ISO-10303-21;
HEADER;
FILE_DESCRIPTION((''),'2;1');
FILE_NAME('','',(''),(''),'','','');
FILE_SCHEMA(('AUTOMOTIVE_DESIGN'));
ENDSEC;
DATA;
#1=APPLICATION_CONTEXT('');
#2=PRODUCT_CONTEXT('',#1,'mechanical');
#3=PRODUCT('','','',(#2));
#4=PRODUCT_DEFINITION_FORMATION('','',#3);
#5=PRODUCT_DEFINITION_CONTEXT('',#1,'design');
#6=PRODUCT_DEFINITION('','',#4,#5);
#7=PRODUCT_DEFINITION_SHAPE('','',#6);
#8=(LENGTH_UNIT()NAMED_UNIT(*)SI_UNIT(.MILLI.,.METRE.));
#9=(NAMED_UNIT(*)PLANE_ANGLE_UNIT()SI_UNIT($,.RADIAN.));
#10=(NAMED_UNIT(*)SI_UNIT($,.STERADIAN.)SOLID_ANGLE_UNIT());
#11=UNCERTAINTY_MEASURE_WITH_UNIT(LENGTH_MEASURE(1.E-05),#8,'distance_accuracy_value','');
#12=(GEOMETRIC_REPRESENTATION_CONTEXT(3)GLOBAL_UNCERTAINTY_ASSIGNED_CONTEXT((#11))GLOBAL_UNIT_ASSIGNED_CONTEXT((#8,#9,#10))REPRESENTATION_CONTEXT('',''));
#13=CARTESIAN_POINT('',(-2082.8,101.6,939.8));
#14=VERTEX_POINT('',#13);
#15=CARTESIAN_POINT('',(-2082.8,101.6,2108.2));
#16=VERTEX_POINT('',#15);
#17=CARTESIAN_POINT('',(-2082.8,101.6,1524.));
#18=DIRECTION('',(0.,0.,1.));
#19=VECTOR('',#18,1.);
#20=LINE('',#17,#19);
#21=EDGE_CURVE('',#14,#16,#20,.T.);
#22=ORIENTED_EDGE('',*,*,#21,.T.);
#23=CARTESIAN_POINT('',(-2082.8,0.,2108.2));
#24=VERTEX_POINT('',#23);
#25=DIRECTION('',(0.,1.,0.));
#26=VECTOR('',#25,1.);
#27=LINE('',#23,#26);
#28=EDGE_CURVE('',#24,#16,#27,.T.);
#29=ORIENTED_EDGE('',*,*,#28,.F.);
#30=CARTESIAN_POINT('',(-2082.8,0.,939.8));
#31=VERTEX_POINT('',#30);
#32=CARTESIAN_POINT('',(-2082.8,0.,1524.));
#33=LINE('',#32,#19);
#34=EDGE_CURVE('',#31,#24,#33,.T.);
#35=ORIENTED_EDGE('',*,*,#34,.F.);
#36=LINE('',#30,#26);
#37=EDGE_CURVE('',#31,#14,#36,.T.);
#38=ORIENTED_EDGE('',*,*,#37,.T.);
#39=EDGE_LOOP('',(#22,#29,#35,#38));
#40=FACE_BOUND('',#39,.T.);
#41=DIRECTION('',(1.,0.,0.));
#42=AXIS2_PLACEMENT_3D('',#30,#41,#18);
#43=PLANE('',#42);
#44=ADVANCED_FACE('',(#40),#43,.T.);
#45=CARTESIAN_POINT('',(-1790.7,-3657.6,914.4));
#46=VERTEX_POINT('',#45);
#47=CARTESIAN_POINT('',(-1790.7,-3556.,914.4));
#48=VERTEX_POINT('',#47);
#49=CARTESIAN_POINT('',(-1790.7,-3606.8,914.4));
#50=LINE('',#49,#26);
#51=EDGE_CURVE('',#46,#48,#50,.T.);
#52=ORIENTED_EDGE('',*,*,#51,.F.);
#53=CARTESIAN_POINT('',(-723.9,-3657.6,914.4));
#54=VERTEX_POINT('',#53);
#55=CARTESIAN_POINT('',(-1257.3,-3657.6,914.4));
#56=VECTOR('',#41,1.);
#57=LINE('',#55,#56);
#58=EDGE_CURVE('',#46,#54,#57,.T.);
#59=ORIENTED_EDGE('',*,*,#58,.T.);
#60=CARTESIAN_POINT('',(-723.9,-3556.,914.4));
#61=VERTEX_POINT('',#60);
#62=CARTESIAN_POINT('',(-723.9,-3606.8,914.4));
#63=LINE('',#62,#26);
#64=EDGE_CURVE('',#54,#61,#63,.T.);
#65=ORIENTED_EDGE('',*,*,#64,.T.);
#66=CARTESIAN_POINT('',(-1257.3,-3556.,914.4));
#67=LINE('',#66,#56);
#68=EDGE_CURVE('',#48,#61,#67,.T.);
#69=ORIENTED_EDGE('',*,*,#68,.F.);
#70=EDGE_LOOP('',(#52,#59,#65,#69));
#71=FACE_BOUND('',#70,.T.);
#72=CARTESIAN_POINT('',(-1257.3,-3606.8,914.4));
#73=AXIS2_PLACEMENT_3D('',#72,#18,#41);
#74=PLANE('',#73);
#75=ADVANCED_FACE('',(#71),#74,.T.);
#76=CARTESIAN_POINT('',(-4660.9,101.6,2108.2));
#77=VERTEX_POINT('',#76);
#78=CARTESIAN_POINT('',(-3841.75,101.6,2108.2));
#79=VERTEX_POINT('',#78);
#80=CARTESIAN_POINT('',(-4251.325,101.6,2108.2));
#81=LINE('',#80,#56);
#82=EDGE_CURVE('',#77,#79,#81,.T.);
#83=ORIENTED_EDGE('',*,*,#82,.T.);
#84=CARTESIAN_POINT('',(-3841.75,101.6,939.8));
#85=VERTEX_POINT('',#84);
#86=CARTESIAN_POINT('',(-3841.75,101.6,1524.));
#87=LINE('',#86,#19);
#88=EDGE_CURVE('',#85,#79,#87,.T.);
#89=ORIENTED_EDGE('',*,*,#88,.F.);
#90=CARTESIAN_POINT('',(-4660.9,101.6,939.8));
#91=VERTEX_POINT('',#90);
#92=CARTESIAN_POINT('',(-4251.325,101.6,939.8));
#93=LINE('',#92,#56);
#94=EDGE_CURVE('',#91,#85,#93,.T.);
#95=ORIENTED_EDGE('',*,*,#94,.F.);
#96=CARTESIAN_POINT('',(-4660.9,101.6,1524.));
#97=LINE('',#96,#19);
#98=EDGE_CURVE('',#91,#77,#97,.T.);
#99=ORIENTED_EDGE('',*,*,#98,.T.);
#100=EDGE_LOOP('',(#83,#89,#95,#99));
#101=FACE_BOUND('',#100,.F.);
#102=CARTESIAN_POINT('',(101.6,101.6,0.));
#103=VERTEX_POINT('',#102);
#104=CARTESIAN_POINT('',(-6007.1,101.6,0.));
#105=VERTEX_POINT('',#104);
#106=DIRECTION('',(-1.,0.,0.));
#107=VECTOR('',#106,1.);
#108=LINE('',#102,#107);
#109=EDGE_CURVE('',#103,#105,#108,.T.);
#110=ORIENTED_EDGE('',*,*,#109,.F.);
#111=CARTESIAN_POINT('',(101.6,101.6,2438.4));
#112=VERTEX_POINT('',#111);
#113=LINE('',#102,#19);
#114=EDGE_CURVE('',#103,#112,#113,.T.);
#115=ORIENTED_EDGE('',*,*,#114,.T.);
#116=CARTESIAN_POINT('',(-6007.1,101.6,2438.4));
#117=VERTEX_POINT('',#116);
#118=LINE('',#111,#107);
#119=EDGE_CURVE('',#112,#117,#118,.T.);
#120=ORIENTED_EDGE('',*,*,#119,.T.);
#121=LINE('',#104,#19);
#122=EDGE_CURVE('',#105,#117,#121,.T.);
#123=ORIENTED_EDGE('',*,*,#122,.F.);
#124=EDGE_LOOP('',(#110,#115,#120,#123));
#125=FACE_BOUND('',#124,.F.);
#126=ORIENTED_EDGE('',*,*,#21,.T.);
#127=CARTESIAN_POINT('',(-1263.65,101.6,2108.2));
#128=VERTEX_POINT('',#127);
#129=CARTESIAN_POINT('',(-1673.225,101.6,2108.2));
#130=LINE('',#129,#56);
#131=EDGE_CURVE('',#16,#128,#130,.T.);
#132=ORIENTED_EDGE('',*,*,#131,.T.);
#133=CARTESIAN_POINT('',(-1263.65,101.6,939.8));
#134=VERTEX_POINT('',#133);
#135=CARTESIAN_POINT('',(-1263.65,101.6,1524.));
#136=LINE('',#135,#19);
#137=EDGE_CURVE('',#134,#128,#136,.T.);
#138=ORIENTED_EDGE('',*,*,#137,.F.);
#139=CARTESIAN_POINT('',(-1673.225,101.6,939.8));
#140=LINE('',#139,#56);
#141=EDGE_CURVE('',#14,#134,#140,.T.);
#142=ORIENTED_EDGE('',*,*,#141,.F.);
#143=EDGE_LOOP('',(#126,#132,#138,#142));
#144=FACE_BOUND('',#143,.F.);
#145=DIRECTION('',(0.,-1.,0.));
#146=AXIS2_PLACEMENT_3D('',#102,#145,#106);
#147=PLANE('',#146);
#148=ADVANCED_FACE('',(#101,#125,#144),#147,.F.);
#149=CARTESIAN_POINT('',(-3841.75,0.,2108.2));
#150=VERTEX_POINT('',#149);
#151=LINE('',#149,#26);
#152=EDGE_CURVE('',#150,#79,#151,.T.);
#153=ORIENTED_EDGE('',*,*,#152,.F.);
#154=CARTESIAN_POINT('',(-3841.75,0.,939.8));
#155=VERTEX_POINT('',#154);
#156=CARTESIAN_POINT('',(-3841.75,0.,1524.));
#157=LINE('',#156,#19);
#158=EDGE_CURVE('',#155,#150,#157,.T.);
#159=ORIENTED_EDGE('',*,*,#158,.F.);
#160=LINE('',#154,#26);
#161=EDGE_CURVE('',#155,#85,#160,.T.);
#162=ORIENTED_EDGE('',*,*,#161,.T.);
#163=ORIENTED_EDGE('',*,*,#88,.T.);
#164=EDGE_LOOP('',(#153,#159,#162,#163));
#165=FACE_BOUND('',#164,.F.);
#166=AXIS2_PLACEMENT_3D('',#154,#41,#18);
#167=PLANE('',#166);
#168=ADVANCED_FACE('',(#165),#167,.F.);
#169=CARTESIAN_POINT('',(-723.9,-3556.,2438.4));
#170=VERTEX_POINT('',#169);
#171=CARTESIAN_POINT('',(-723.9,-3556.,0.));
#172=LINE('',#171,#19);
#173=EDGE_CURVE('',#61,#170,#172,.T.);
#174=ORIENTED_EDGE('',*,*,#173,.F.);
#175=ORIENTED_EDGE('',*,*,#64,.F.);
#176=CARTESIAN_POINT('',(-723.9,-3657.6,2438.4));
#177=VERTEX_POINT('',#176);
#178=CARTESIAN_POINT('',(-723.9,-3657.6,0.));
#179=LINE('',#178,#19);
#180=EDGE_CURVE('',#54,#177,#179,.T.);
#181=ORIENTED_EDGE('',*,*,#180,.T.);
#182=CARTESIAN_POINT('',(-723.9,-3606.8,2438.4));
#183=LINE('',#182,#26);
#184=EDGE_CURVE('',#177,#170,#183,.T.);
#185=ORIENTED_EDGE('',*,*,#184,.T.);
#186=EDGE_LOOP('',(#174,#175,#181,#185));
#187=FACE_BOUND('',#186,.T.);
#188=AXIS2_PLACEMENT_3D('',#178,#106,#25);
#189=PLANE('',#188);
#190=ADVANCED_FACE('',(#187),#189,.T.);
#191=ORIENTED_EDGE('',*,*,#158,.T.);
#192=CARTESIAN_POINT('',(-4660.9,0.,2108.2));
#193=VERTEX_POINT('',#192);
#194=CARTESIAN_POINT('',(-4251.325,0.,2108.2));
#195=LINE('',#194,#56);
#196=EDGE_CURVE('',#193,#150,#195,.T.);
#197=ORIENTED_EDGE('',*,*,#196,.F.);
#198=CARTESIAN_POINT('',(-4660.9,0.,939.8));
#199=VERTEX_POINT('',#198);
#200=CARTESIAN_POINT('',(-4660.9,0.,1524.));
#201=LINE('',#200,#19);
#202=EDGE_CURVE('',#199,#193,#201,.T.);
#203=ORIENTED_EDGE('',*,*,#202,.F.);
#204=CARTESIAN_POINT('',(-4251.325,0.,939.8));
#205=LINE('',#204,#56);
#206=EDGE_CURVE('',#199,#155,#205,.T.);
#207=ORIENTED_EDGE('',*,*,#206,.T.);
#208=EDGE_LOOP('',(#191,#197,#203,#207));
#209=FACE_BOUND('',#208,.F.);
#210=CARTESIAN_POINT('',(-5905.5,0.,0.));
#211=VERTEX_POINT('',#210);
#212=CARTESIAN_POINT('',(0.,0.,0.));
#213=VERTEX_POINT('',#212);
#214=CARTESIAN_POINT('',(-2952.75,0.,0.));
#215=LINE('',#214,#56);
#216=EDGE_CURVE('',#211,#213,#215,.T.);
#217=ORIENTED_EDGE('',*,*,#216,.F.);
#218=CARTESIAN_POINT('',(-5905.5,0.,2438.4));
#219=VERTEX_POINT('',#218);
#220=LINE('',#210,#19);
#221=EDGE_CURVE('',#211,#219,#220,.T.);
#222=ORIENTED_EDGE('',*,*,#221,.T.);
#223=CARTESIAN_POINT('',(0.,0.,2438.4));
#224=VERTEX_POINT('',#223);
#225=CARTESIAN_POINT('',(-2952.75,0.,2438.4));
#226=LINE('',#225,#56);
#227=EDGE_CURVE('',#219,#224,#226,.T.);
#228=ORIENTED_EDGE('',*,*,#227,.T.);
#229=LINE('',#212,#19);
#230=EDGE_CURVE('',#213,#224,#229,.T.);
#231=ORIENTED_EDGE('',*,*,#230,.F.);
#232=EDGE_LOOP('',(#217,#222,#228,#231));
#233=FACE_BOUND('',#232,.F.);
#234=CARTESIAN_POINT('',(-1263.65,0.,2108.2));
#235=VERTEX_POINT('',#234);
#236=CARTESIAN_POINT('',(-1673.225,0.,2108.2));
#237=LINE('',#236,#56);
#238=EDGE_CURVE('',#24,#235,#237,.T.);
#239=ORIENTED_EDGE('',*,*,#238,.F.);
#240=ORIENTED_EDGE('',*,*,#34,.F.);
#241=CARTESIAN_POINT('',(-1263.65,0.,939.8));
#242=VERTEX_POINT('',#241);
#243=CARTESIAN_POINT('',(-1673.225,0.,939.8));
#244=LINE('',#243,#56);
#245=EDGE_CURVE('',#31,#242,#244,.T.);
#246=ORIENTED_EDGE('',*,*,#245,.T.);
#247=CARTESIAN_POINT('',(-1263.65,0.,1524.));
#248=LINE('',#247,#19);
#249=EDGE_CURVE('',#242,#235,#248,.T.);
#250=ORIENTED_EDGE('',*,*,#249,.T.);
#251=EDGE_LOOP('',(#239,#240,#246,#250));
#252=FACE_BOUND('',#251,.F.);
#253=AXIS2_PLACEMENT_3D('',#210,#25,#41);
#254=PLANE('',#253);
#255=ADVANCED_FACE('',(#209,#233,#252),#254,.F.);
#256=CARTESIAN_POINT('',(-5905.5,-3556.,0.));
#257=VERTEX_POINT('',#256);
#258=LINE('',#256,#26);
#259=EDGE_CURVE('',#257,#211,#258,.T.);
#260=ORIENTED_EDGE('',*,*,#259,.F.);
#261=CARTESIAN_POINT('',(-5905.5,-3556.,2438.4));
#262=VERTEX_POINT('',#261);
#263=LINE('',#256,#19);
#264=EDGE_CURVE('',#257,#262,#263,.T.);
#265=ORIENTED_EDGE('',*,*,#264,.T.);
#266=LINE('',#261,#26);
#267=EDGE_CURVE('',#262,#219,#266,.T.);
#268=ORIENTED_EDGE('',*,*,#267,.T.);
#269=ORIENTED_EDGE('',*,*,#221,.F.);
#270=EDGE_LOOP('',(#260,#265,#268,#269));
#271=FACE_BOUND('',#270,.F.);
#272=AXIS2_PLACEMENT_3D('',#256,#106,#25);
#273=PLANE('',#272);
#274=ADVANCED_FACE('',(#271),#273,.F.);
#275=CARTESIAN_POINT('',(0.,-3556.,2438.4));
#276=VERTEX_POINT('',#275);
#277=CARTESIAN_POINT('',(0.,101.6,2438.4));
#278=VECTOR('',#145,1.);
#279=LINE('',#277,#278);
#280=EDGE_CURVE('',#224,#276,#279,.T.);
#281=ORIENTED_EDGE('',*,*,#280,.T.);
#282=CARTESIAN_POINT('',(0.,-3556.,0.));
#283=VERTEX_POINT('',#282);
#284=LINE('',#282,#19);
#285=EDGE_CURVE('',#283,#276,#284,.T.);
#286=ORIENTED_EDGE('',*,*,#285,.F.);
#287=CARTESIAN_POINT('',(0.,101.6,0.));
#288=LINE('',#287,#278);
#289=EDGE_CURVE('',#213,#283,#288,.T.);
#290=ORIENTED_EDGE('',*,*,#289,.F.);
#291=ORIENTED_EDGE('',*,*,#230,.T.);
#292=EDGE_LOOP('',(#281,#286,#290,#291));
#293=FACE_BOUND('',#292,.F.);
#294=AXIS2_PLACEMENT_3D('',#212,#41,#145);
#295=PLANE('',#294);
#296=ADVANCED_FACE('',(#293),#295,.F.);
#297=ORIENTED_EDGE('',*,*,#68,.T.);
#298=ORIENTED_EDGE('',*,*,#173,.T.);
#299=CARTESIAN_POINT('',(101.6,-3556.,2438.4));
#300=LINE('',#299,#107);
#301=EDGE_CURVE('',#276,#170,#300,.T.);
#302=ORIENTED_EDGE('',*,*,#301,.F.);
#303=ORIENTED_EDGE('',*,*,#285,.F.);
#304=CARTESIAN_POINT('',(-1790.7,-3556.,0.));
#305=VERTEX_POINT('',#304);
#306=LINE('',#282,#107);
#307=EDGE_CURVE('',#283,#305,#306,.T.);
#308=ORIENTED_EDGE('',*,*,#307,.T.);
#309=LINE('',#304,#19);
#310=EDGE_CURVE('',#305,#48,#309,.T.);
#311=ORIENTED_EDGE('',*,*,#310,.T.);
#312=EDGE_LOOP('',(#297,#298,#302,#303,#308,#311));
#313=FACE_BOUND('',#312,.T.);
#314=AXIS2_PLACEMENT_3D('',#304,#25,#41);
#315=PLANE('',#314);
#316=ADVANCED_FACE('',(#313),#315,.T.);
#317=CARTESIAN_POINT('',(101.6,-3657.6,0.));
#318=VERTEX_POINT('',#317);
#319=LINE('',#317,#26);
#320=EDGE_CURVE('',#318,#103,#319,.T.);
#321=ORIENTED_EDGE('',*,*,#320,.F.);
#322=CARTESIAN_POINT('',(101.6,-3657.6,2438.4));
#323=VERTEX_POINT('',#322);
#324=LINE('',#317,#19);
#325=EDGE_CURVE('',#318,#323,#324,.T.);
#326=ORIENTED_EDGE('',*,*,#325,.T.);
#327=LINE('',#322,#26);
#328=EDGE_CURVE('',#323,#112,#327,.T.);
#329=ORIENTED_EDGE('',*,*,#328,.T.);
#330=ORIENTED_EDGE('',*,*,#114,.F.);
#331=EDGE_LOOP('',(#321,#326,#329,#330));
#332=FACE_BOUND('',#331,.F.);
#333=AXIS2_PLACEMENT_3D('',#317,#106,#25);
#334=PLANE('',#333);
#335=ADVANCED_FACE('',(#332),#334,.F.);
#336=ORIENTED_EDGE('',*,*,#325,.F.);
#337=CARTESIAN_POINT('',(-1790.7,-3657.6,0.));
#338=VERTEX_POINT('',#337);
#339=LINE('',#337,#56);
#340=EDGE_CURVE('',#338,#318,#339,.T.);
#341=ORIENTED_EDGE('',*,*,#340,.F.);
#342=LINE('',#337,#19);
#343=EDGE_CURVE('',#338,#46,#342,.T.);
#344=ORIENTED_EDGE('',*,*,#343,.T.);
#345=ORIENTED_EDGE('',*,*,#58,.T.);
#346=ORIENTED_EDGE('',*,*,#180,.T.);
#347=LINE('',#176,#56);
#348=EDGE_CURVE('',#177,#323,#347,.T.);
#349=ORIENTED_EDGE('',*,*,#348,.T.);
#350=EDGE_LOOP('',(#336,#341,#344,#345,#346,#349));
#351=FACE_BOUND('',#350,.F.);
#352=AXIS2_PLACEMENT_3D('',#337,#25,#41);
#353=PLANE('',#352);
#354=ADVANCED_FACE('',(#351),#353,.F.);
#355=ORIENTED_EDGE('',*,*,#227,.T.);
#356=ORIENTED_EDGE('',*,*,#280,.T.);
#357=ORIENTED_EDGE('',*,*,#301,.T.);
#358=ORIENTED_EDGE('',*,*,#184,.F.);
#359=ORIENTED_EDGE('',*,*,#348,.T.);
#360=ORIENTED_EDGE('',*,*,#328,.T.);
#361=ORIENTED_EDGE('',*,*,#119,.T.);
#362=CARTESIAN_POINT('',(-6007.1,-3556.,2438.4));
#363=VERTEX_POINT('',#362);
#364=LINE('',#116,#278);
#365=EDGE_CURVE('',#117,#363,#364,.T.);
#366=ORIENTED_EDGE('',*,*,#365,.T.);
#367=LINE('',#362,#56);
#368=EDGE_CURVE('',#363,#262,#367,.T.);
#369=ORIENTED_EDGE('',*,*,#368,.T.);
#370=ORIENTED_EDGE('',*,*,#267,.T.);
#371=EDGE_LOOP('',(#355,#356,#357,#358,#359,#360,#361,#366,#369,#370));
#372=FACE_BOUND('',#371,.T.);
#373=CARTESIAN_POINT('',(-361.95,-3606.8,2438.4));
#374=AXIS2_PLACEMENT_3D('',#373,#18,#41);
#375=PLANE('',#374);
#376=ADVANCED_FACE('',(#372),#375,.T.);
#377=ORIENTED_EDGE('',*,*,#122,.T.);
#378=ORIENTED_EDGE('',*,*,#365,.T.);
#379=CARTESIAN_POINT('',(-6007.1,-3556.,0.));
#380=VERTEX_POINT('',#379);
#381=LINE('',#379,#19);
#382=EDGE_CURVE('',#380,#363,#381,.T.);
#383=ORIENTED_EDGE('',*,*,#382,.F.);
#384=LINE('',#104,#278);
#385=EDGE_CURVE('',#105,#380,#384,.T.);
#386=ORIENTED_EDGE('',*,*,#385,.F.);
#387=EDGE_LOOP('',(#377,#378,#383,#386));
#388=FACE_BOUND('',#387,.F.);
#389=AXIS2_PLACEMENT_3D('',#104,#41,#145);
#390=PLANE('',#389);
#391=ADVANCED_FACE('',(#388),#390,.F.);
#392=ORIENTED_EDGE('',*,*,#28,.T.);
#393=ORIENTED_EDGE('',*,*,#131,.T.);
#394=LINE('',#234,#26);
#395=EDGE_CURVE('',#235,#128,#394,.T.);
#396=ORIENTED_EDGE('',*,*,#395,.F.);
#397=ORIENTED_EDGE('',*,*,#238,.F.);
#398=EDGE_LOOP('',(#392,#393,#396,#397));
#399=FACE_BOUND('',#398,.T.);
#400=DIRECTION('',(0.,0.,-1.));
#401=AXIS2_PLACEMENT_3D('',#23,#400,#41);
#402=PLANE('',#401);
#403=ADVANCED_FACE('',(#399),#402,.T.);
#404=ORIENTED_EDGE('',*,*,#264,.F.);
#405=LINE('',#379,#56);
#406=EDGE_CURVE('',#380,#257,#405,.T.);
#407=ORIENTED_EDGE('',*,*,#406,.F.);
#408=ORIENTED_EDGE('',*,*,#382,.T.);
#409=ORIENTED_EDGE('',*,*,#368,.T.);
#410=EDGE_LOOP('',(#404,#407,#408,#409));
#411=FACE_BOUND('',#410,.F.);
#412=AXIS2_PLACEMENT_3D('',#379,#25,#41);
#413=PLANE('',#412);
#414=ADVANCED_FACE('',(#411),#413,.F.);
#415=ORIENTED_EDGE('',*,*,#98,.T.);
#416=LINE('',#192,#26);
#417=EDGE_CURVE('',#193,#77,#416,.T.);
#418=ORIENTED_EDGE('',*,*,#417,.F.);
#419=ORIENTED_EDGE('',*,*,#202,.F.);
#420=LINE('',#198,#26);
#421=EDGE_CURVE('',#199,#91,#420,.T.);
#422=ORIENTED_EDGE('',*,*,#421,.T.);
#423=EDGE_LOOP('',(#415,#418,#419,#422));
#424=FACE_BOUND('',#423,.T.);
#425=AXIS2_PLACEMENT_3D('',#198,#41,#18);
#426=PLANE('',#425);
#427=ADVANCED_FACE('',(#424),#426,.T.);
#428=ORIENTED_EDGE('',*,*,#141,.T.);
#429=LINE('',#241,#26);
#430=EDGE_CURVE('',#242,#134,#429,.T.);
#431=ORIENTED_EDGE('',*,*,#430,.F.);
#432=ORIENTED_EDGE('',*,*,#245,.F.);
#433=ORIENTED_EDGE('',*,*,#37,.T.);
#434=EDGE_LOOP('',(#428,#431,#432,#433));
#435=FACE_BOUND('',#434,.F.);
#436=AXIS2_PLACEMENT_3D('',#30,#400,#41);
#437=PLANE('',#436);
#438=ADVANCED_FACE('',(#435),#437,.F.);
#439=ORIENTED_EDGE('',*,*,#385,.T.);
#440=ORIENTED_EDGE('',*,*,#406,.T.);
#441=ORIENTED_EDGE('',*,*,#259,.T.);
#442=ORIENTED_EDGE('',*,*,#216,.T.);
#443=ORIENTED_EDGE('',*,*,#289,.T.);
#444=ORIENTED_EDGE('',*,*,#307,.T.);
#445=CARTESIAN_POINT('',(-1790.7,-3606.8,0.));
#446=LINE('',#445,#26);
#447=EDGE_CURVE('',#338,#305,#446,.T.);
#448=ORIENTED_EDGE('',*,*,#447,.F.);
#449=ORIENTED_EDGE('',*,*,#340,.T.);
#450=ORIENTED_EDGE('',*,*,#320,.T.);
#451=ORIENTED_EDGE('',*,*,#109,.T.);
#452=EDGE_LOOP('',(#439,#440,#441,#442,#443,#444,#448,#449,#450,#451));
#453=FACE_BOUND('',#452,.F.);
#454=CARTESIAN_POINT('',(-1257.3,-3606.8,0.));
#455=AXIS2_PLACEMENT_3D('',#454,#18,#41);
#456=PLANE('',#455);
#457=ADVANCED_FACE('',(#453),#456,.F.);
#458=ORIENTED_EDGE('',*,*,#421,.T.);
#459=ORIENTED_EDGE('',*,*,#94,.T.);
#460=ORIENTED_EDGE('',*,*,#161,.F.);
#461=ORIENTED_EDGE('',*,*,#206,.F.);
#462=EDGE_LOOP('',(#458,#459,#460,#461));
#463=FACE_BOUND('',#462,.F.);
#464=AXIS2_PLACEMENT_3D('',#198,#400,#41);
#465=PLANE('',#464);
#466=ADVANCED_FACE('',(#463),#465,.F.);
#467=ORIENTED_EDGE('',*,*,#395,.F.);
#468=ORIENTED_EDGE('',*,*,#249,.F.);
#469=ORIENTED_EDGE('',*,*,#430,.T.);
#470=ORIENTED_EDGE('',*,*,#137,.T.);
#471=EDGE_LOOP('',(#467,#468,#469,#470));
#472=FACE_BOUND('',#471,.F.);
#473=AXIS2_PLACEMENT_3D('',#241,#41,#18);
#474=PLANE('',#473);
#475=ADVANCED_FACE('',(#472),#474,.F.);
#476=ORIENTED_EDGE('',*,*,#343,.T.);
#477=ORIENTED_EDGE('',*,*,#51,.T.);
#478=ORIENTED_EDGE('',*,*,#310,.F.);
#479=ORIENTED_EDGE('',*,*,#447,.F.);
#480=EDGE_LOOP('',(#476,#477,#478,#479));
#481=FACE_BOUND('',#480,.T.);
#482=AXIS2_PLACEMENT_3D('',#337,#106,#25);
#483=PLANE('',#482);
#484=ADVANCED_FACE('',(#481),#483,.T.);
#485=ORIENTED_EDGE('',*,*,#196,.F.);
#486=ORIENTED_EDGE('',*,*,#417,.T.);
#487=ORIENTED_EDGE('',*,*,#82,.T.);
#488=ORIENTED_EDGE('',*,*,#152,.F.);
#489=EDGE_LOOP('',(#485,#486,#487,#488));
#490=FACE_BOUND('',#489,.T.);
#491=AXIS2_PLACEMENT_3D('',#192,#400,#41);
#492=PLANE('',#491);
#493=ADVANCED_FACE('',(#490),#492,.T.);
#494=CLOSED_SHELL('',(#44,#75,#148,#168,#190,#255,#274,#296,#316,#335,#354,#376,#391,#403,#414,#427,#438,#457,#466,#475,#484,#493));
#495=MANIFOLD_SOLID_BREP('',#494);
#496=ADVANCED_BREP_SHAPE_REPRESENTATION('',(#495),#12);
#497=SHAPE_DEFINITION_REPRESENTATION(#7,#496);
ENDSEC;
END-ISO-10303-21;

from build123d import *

# Parameters (mm, degrees)
F0_W     = 723.9
F0_H     = 101.6
F0_W_2   = 101.6
F0_H_2   = 3556
F0_W_3   = 5905.5
F1_DEPTH = 2438.4
F2_W     = 1066.8
F2_H     = 101.6
F3_DEPTH = 914.4
F4_W     = 819.15
F4_H     = 1168.4
F5_DEPTH = 101.6


with BuildPart() as f1:
    # F0 (on Top) → F1 (new body)
    with BuildSketch(Plane.XY):
        with Locations((-361.95, -3606.8)):
            Rectangle(F0_W, F0_H)
        with Locations((50.8, -3606.8)):
            Rectangle(F0_W_2, F0_H)
        with Locations((50.8, -1778)):
            Rectangle(F0_W_2, F0_H_2)
        with Locations((50.8, 50.8)):
            Rectangle(F0_W_2, F0_H)
        with Locations((-2952.75, 50.8)):
            Rectangle(F0_W_3, F0_H)
        Polygon((-5905.5, -3556), (-5905.5, 0), (-5905.5, 101.6), (-6007.1, 101.6), (-6007.1, -3556), align=None)
    extrude(amount=F1_DEPTH)

    # F2 (on Top) → F3 (join)
    with BuildSketch(Plane.XY):
        with Locations((-1257.3, -3606.8)):
            Rectangle(F2_W, F2_H)
    extrude(amount=F3_DEPTH)

    # F4 (on face) → F5 (cut, through all)
    with BuildSketch(Plane.XZ):
        with Locations((-1673.225, 1524)):
            Rectangle(F4_W, F4_H)
        with Locations((-4251.325, 1524)):
            Rectangle(F4_W, F4_H)
    extrude(amount=-F5_DEPTH, mode=Mode.SUBTRACT)


solid = f1.part
